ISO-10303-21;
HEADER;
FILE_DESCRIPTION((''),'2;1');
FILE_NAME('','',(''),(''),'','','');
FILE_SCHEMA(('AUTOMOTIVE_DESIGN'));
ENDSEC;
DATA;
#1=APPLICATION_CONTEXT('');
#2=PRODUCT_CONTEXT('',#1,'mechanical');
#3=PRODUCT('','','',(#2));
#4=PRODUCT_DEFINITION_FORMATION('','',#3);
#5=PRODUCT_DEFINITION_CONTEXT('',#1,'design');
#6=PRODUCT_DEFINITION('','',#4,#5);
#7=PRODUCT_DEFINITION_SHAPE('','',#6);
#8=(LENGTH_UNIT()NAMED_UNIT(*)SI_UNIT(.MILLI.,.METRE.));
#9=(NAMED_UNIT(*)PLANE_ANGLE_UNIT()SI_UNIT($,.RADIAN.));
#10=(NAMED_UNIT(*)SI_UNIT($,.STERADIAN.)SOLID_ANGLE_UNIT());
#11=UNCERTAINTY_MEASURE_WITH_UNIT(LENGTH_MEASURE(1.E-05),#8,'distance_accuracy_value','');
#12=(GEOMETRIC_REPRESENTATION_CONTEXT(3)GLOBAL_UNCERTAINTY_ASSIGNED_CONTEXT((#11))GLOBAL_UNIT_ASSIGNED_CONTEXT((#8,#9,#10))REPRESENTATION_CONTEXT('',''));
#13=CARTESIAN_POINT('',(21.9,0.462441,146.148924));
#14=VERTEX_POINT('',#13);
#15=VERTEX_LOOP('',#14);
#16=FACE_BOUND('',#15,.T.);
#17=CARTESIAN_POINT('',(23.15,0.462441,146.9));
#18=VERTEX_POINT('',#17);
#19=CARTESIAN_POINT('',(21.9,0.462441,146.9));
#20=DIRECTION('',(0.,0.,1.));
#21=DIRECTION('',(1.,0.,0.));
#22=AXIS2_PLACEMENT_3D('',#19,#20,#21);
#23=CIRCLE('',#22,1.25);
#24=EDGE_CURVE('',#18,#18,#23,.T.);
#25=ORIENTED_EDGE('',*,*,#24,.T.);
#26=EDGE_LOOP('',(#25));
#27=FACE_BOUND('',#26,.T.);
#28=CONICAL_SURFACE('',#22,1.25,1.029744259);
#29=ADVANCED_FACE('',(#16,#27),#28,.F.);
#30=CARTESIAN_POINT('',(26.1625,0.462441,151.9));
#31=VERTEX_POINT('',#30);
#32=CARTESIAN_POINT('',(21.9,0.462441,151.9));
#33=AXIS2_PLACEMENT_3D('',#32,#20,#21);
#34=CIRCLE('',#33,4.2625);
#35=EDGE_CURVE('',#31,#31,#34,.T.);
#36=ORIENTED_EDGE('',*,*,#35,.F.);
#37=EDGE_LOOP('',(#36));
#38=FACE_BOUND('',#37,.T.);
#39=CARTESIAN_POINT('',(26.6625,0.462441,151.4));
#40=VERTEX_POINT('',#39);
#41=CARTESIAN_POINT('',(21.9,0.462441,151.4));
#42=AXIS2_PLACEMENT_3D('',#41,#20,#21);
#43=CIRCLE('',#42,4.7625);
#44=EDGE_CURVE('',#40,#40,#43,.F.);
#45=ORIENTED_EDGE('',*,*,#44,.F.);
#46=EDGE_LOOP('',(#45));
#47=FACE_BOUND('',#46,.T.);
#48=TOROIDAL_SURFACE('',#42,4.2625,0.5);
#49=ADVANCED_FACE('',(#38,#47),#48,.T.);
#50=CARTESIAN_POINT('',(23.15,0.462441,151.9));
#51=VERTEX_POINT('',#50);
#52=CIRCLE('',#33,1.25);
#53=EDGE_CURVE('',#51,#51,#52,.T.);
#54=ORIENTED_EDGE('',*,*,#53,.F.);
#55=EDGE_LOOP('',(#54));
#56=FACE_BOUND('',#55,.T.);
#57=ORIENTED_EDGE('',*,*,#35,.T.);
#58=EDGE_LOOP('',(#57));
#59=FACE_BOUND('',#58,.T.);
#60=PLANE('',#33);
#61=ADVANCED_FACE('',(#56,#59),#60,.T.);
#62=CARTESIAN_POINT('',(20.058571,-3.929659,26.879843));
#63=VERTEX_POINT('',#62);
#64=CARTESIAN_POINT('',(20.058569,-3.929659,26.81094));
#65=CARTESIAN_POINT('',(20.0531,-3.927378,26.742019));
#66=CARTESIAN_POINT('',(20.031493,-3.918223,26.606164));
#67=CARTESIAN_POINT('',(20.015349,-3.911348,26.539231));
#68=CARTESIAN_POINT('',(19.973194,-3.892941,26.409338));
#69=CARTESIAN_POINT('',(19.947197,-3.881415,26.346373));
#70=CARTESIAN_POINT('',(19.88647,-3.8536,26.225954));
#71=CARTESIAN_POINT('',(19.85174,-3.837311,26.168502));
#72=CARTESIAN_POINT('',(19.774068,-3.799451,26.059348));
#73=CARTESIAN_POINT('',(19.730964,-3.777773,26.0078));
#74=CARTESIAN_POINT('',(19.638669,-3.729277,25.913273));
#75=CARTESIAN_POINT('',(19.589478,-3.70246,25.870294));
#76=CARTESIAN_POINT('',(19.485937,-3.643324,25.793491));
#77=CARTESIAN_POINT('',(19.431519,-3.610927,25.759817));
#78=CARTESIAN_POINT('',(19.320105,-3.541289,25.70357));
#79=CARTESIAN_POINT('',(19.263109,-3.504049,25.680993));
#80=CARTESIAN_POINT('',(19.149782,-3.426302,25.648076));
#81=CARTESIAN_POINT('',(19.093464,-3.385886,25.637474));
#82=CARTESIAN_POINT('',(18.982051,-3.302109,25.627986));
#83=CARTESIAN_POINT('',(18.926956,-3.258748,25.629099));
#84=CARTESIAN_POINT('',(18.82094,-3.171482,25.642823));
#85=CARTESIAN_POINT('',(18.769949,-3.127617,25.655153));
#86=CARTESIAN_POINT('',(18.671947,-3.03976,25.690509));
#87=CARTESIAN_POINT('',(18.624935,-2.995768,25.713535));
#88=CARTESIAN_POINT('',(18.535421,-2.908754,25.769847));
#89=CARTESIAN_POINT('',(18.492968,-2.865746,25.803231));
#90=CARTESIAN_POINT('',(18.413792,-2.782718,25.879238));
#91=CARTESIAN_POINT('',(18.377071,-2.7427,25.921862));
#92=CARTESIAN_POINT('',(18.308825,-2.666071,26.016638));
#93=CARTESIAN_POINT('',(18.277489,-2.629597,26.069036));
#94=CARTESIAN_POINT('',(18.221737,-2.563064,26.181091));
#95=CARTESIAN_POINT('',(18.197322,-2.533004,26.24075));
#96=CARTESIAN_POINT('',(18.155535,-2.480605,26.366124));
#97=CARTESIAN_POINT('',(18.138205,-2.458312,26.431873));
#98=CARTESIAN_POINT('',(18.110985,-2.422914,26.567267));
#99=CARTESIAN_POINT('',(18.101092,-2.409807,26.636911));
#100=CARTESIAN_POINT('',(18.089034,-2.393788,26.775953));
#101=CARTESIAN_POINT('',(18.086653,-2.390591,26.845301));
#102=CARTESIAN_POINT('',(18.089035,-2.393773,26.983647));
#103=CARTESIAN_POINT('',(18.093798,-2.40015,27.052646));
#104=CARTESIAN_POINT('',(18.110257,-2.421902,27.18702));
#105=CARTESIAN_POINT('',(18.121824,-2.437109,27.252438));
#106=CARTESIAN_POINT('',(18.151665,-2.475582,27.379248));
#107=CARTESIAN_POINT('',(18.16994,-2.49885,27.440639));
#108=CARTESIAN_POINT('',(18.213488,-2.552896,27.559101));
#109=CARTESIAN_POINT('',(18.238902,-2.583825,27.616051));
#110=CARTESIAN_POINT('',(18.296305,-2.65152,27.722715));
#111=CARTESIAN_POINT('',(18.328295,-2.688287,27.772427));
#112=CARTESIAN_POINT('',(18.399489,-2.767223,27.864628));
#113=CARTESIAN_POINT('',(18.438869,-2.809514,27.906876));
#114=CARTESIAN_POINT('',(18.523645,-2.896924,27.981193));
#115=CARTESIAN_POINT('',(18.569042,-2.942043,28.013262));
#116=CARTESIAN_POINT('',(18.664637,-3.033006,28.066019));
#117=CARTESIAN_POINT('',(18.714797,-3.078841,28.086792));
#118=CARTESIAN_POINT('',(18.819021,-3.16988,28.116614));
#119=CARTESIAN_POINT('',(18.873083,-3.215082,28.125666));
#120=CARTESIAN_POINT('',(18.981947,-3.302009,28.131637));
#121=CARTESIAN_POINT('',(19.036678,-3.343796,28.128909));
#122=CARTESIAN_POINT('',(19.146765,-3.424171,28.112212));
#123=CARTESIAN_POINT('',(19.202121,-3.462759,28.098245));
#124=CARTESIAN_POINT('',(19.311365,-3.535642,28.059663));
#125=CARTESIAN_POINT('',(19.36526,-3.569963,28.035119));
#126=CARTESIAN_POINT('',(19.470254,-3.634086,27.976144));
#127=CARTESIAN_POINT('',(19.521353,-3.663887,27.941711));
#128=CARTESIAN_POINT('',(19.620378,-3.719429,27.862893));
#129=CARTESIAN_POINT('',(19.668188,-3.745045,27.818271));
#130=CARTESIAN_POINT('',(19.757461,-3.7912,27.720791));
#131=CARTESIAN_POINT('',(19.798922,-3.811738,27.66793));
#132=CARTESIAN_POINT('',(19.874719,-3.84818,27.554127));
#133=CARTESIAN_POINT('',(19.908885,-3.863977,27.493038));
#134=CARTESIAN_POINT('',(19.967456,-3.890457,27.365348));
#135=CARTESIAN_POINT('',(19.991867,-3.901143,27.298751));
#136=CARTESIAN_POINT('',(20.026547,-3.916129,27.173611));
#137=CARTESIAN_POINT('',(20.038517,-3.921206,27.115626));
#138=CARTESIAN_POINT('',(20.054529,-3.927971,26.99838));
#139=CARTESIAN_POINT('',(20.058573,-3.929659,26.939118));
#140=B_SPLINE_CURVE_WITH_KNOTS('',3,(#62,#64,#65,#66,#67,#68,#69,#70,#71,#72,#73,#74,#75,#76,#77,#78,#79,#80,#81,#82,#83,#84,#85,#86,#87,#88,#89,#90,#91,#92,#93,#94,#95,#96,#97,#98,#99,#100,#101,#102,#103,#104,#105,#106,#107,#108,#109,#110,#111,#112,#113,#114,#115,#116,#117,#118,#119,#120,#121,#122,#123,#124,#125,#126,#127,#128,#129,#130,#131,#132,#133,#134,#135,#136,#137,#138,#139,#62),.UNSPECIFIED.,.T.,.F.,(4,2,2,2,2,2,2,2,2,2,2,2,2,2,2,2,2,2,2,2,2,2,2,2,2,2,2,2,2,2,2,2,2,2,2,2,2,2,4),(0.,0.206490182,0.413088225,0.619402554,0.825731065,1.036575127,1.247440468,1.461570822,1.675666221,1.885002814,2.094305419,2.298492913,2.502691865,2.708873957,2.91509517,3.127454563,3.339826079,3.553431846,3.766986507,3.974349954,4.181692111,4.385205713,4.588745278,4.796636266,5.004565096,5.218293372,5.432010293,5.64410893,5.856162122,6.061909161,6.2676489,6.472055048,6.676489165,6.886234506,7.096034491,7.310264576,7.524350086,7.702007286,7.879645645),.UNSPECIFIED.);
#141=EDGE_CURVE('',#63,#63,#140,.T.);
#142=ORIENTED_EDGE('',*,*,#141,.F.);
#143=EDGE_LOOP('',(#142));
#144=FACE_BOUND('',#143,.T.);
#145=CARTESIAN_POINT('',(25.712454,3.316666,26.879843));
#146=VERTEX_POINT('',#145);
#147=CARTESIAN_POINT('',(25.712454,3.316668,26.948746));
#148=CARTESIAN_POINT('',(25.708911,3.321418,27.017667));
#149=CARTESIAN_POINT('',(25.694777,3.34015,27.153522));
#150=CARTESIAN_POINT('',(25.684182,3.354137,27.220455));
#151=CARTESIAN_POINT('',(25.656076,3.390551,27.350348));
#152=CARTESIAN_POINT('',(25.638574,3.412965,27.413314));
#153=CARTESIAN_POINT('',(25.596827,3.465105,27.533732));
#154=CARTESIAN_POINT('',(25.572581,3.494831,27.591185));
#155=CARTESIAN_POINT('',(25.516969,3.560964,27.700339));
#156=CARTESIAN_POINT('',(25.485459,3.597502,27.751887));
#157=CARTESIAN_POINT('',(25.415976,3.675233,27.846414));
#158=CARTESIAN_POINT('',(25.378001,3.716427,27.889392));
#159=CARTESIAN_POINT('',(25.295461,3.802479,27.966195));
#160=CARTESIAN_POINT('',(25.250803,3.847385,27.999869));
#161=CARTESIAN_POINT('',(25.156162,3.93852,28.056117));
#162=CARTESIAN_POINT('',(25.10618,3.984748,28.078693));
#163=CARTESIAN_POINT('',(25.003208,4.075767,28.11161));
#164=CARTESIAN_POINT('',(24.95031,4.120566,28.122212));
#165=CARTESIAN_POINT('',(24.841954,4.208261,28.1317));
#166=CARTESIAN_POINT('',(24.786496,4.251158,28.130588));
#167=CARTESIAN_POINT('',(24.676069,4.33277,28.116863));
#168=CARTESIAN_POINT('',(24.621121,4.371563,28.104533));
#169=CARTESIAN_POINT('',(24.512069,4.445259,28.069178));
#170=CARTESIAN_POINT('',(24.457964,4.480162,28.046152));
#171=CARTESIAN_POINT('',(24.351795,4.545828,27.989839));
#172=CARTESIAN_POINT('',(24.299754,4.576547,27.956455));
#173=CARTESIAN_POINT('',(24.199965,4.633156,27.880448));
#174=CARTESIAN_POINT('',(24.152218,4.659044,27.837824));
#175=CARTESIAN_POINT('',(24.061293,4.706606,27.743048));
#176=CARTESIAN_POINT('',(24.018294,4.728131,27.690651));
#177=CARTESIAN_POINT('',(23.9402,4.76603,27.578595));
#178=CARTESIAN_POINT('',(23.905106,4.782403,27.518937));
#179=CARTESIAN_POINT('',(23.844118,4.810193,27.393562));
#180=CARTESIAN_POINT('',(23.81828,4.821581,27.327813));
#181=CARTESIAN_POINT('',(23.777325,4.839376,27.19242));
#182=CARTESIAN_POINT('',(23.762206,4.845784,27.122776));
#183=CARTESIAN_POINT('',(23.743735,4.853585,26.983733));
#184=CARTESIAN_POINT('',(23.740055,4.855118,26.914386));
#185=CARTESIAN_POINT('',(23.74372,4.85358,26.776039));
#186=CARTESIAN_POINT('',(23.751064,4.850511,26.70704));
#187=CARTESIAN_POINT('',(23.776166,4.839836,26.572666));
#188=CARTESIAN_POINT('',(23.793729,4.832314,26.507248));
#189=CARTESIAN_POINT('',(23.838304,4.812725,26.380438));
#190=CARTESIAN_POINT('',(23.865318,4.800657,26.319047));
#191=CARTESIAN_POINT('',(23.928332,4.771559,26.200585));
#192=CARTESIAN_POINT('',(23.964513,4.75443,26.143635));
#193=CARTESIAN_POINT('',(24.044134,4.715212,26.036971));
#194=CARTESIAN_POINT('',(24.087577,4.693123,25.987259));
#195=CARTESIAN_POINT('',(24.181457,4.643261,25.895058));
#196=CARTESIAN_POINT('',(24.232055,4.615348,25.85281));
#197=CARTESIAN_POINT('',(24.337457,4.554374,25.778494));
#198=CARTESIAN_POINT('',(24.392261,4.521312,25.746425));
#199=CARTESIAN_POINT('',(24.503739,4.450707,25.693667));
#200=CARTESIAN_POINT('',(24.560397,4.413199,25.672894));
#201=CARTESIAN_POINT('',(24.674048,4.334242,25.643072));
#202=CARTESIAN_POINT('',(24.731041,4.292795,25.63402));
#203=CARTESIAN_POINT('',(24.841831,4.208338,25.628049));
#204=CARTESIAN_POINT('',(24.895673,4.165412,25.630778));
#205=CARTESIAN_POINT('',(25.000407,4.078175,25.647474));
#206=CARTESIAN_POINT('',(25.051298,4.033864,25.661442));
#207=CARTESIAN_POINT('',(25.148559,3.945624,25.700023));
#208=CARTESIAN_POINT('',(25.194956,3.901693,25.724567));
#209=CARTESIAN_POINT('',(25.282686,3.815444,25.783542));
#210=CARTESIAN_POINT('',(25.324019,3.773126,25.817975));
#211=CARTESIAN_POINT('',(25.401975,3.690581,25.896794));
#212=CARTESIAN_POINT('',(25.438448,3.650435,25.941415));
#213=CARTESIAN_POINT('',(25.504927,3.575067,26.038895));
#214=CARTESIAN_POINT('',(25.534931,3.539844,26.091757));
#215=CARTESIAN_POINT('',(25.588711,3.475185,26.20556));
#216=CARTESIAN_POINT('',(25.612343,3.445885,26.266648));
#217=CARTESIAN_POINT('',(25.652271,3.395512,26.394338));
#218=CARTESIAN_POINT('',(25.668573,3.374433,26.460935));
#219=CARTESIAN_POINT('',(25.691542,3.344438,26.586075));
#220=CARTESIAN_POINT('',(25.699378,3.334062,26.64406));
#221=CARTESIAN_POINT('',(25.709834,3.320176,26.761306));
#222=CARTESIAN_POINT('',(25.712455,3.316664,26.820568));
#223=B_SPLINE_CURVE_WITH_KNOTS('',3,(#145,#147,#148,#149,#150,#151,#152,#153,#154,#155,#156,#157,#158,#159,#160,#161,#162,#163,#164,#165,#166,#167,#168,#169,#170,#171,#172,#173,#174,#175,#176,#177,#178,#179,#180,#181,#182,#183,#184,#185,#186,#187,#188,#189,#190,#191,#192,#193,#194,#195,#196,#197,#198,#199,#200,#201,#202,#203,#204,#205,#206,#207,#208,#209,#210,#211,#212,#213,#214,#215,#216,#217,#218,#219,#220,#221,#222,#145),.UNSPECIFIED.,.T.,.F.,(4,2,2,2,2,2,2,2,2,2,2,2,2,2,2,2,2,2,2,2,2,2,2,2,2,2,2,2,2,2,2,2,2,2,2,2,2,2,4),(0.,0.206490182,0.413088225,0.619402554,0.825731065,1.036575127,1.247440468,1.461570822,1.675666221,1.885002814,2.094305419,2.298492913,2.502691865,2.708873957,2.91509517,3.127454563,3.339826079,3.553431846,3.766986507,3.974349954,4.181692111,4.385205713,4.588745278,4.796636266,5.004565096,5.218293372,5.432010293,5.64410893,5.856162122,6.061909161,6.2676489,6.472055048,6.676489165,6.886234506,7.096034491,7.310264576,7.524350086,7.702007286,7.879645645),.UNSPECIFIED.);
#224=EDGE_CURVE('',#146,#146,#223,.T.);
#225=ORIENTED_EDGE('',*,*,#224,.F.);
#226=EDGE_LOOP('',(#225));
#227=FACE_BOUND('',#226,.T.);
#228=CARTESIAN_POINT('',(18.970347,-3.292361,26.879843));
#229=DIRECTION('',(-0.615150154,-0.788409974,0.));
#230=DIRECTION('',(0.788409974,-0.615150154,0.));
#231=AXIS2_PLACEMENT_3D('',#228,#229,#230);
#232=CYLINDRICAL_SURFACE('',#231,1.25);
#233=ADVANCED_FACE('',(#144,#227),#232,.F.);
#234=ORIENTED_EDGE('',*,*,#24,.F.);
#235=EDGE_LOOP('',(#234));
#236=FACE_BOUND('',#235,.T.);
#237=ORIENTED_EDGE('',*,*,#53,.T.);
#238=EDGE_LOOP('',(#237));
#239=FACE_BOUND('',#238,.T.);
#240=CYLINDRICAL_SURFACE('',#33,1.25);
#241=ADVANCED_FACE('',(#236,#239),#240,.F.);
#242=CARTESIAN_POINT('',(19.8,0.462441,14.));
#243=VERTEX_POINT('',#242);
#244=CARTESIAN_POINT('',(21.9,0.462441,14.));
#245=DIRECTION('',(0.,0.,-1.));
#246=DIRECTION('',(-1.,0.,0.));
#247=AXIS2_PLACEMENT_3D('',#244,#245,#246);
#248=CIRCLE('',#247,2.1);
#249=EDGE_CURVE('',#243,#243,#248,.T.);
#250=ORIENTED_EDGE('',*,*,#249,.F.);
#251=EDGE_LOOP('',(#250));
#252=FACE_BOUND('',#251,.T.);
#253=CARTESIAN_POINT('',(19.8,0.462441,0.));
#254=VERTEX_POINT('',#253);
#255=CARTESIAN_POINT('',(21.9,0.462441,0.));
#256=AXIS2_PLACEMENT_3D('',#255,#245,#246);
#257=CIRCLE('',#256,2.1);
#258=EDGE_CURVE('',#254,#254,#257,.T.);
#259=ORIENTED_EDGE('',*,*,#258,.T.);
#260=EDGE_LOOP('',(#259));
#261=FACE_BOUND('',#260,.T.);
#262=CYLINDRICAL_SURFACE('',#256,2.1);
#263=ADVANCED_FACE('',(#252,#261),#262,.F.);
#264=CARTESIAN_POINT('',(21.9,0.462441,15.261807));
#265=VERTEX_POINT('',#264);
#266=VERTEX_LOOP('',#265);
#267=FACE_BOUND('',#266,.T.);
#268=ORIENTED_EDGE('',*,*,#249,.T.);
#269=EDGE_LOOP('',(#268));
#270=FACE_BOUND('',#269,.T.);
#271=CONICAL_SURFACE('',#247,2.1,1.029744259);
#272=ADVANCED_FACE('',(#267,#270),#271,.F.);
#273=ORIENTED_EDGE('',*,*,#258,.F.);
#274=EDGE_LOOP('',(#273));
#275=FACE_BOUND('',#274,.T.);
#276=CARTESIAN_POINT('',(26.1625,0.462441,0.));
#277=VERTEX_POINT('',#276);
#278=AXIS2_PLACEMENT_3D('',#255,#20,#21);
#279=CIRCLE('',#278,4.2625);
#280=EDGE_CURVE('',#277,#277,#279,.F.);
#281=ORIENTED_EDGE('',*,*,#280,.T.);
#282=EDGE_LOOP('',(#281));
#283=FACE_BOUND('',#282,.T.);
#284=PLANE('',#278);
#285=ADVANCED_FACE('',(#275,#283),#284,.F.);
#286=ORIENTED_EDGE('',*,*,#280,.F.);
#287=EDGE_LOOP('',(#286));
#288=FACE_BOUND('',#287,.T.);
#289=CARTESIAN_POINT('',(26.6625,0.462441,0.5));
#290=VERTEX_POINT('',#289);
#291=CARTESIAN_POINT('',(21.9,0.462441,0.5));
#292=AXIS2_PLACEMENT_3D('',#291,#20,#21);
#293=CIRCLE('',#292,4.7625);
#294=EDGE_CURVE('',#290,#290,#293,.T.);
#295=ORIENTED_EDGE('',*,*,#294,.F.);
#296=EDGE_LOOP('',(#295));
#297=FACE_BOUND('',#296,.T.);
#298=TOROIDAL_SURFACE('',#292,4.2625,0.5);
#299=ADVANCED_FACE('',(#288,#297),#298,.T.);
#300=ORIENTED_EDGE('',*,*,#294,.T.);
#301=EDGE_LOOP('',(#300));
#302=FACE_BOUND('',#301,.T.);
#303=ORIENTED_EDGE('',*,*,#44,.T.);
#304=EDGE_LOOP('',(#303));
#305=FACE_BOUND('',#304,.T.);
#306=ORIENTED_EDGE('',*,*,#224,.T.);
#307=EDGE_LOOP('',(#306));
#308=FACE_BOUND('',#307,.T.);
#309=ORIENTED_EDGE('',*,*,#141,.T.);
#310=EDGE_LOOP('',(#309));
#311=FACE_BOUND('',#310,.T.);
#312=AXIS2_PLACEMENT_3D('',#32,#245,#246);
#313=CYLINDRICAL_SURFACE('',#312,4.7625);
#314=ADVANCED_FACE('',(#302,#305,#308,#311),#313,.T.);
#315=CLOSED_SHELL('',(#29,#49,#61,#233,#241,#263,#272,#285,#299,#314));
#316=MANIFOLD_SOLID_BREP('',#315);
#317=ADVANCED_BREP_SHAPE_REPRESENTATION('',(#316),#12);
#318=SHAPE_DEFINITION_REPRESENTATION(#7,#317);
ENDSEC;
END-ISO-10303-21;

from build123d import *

# Parameters (mm, degrees)
ESBO_O1_R                                      = 4.7625
RESSALTO_EXTRUS_O1_DEPTH                       = 151.9
FURO_ROSCADO_DE_M5X0_81_D                      = 4.2
FURO_ROSCADO_DE_M5X0_81_DEPTH                  = 14
FURO_ROSCADO_DE_M5X0_81_TIP                    = 1.2618073
FILETE1_R                                      = 0.5
BROCA_DE_ROSQUEAR_PARA_TARRAXA_DE_M3X0_5_D     = 2.5
BROCA_DE_ROSQUEAR_PARA_TARRAXA_DE_M3X0_5_DEPTH = 5
BROCA_DE_ROSQUEAR_PARA_TARRAXA_DE_M3X0_5_TIP   = 0.751075774
FILETE2_R                                      = 0.5
BROCA_DE_ROSQUEAR_PARA_TARRAXA_DE_M3_2_D       = 2.5
BROCA_DE_ROSQUEAR_PARA_TARRAXA_DE_M3_2_DEPTH   = 10
BROCA_DE_ROSQUEAR_PARA_TARRAXA_DE_M3_2_TIP     = 0.751075774


with BuildPart() as part:
    # Esboço1 → Ressalto-extrusão1 (new body)
    with BuildSketch(Plane.XY):
        with Locations((21.9, 0.462441068)):
            Circle(ESBO_O1_R)
    extrude(amount=RESSALTO_EXTRUS_O1_DEPTH)

    # Furo roscado de M5x0.81
    with Locations(Plane(origin=(0, 0, 0), x_dir=(-1, 0, 0), z_dir=(0, 0, -1))):
        with Locations((-21.9, 0.462441068)):
            Hole(FURO_ROSCADO_DE_M5X0_81_D / 2, depth=FURO_ROSCADO_DE_M5X0_81_DEPTH)
            with Locations((0, 0, -(FURO_ROSCADO_DE_M5X0_81_DEPTH + FURO_ROSCADO_DE_M5X0_81_TIP / 2))):  # 118° drill point
                Cone(0, FURO_ROSCADO_DE_M5X0_81_D / 2, FURO_ROSCADO_DE_M5X0_81_TIP, mode=Mode.SUBTRACT)

    # Filete1
    filete1_edges = [part.edges().sort_by_distance(p)[0] for p in [
        (17.1375, 0.462441068, 0),
    ]]
    fillet(filete1_edges, radius=FILETE1_R)

    # Broca de rosquear para tarraxa de M3x0.5
    with Locations(Plane.XY.offset(151.9)):
        with Locations((21.9, 0.462441068)):
            Hole(BROCA_DE_ROSQUEAR_PARA_TARRAXA_DE_M3X0_5_D / 2, depth=BROCA_DE_ROSQUEAR_PARA_TARRAXA_DE_M3X0_5_DEPTH)
            with Locations((0, 0, -(BROCA_DE_ROSQUEAR_PARA_TARRAXA_DE_M3X0_5_DEPTH + BROCA_DE_ROSQUEAR_PARA_TARRAXA_DE_M3X0_5_TIP / 2))):  # 118° drill point
                Cone(0, BROCA_DE_ROSQUEAR_PARA_TARRAXA_DE_M3X0_5_D / 2, BROCA_DE_ROSQUEAR_PARA_TARRAXA_DE_M3X0_5_TIP, mode=Mode.SUBTRACT)

    # Filete2
    filete2_edges = [part.edges().sort_by_distance(p)[0] for p in [
        (17.1375, 0.462441068, 151.9),
    ]]
    fillet(filete2_edges, radius=FILETE2_R)

    # Broca de rosquear para tarraxa de M3 2
    with Locations(Plane(origin=(18.970347391, -3.292361436, 26.879843119), x_dir=(-0.78840997447, 0.615150154154, 0), z_dir=(-0.615150154154, -0.78840997447, 0))):
        with Locations((0, 0)):
            Hole(BROCA_DE_ROSQUEAR_PARA_TARRAXA_DE_M3_2_D / 2, depth=BROCA_DE_ROSQUEAR_PARA_TARRAXA_DE_M3_2_DEPTH)
            with Locations((0, 0, -(BROCA_DE_ROSQUEAR_PARA_TARRAXA_DE_M3_2_DEPTH + BROCA_DE_ROSQUEAR_PARA_TARRAXA_DE_M3_2_TIP / 2))):  # 118° drill point
                Cone(0, BROCA_DE_ROSQUEAR_PARA_TARRAXA_DE_M3_2_D / 2, BROCA_DE_ROSQUEAR_PARA_TARRAXA_DE_M3_2_TIP, mode=Mode.SUBTRACT)


solid = part.part
